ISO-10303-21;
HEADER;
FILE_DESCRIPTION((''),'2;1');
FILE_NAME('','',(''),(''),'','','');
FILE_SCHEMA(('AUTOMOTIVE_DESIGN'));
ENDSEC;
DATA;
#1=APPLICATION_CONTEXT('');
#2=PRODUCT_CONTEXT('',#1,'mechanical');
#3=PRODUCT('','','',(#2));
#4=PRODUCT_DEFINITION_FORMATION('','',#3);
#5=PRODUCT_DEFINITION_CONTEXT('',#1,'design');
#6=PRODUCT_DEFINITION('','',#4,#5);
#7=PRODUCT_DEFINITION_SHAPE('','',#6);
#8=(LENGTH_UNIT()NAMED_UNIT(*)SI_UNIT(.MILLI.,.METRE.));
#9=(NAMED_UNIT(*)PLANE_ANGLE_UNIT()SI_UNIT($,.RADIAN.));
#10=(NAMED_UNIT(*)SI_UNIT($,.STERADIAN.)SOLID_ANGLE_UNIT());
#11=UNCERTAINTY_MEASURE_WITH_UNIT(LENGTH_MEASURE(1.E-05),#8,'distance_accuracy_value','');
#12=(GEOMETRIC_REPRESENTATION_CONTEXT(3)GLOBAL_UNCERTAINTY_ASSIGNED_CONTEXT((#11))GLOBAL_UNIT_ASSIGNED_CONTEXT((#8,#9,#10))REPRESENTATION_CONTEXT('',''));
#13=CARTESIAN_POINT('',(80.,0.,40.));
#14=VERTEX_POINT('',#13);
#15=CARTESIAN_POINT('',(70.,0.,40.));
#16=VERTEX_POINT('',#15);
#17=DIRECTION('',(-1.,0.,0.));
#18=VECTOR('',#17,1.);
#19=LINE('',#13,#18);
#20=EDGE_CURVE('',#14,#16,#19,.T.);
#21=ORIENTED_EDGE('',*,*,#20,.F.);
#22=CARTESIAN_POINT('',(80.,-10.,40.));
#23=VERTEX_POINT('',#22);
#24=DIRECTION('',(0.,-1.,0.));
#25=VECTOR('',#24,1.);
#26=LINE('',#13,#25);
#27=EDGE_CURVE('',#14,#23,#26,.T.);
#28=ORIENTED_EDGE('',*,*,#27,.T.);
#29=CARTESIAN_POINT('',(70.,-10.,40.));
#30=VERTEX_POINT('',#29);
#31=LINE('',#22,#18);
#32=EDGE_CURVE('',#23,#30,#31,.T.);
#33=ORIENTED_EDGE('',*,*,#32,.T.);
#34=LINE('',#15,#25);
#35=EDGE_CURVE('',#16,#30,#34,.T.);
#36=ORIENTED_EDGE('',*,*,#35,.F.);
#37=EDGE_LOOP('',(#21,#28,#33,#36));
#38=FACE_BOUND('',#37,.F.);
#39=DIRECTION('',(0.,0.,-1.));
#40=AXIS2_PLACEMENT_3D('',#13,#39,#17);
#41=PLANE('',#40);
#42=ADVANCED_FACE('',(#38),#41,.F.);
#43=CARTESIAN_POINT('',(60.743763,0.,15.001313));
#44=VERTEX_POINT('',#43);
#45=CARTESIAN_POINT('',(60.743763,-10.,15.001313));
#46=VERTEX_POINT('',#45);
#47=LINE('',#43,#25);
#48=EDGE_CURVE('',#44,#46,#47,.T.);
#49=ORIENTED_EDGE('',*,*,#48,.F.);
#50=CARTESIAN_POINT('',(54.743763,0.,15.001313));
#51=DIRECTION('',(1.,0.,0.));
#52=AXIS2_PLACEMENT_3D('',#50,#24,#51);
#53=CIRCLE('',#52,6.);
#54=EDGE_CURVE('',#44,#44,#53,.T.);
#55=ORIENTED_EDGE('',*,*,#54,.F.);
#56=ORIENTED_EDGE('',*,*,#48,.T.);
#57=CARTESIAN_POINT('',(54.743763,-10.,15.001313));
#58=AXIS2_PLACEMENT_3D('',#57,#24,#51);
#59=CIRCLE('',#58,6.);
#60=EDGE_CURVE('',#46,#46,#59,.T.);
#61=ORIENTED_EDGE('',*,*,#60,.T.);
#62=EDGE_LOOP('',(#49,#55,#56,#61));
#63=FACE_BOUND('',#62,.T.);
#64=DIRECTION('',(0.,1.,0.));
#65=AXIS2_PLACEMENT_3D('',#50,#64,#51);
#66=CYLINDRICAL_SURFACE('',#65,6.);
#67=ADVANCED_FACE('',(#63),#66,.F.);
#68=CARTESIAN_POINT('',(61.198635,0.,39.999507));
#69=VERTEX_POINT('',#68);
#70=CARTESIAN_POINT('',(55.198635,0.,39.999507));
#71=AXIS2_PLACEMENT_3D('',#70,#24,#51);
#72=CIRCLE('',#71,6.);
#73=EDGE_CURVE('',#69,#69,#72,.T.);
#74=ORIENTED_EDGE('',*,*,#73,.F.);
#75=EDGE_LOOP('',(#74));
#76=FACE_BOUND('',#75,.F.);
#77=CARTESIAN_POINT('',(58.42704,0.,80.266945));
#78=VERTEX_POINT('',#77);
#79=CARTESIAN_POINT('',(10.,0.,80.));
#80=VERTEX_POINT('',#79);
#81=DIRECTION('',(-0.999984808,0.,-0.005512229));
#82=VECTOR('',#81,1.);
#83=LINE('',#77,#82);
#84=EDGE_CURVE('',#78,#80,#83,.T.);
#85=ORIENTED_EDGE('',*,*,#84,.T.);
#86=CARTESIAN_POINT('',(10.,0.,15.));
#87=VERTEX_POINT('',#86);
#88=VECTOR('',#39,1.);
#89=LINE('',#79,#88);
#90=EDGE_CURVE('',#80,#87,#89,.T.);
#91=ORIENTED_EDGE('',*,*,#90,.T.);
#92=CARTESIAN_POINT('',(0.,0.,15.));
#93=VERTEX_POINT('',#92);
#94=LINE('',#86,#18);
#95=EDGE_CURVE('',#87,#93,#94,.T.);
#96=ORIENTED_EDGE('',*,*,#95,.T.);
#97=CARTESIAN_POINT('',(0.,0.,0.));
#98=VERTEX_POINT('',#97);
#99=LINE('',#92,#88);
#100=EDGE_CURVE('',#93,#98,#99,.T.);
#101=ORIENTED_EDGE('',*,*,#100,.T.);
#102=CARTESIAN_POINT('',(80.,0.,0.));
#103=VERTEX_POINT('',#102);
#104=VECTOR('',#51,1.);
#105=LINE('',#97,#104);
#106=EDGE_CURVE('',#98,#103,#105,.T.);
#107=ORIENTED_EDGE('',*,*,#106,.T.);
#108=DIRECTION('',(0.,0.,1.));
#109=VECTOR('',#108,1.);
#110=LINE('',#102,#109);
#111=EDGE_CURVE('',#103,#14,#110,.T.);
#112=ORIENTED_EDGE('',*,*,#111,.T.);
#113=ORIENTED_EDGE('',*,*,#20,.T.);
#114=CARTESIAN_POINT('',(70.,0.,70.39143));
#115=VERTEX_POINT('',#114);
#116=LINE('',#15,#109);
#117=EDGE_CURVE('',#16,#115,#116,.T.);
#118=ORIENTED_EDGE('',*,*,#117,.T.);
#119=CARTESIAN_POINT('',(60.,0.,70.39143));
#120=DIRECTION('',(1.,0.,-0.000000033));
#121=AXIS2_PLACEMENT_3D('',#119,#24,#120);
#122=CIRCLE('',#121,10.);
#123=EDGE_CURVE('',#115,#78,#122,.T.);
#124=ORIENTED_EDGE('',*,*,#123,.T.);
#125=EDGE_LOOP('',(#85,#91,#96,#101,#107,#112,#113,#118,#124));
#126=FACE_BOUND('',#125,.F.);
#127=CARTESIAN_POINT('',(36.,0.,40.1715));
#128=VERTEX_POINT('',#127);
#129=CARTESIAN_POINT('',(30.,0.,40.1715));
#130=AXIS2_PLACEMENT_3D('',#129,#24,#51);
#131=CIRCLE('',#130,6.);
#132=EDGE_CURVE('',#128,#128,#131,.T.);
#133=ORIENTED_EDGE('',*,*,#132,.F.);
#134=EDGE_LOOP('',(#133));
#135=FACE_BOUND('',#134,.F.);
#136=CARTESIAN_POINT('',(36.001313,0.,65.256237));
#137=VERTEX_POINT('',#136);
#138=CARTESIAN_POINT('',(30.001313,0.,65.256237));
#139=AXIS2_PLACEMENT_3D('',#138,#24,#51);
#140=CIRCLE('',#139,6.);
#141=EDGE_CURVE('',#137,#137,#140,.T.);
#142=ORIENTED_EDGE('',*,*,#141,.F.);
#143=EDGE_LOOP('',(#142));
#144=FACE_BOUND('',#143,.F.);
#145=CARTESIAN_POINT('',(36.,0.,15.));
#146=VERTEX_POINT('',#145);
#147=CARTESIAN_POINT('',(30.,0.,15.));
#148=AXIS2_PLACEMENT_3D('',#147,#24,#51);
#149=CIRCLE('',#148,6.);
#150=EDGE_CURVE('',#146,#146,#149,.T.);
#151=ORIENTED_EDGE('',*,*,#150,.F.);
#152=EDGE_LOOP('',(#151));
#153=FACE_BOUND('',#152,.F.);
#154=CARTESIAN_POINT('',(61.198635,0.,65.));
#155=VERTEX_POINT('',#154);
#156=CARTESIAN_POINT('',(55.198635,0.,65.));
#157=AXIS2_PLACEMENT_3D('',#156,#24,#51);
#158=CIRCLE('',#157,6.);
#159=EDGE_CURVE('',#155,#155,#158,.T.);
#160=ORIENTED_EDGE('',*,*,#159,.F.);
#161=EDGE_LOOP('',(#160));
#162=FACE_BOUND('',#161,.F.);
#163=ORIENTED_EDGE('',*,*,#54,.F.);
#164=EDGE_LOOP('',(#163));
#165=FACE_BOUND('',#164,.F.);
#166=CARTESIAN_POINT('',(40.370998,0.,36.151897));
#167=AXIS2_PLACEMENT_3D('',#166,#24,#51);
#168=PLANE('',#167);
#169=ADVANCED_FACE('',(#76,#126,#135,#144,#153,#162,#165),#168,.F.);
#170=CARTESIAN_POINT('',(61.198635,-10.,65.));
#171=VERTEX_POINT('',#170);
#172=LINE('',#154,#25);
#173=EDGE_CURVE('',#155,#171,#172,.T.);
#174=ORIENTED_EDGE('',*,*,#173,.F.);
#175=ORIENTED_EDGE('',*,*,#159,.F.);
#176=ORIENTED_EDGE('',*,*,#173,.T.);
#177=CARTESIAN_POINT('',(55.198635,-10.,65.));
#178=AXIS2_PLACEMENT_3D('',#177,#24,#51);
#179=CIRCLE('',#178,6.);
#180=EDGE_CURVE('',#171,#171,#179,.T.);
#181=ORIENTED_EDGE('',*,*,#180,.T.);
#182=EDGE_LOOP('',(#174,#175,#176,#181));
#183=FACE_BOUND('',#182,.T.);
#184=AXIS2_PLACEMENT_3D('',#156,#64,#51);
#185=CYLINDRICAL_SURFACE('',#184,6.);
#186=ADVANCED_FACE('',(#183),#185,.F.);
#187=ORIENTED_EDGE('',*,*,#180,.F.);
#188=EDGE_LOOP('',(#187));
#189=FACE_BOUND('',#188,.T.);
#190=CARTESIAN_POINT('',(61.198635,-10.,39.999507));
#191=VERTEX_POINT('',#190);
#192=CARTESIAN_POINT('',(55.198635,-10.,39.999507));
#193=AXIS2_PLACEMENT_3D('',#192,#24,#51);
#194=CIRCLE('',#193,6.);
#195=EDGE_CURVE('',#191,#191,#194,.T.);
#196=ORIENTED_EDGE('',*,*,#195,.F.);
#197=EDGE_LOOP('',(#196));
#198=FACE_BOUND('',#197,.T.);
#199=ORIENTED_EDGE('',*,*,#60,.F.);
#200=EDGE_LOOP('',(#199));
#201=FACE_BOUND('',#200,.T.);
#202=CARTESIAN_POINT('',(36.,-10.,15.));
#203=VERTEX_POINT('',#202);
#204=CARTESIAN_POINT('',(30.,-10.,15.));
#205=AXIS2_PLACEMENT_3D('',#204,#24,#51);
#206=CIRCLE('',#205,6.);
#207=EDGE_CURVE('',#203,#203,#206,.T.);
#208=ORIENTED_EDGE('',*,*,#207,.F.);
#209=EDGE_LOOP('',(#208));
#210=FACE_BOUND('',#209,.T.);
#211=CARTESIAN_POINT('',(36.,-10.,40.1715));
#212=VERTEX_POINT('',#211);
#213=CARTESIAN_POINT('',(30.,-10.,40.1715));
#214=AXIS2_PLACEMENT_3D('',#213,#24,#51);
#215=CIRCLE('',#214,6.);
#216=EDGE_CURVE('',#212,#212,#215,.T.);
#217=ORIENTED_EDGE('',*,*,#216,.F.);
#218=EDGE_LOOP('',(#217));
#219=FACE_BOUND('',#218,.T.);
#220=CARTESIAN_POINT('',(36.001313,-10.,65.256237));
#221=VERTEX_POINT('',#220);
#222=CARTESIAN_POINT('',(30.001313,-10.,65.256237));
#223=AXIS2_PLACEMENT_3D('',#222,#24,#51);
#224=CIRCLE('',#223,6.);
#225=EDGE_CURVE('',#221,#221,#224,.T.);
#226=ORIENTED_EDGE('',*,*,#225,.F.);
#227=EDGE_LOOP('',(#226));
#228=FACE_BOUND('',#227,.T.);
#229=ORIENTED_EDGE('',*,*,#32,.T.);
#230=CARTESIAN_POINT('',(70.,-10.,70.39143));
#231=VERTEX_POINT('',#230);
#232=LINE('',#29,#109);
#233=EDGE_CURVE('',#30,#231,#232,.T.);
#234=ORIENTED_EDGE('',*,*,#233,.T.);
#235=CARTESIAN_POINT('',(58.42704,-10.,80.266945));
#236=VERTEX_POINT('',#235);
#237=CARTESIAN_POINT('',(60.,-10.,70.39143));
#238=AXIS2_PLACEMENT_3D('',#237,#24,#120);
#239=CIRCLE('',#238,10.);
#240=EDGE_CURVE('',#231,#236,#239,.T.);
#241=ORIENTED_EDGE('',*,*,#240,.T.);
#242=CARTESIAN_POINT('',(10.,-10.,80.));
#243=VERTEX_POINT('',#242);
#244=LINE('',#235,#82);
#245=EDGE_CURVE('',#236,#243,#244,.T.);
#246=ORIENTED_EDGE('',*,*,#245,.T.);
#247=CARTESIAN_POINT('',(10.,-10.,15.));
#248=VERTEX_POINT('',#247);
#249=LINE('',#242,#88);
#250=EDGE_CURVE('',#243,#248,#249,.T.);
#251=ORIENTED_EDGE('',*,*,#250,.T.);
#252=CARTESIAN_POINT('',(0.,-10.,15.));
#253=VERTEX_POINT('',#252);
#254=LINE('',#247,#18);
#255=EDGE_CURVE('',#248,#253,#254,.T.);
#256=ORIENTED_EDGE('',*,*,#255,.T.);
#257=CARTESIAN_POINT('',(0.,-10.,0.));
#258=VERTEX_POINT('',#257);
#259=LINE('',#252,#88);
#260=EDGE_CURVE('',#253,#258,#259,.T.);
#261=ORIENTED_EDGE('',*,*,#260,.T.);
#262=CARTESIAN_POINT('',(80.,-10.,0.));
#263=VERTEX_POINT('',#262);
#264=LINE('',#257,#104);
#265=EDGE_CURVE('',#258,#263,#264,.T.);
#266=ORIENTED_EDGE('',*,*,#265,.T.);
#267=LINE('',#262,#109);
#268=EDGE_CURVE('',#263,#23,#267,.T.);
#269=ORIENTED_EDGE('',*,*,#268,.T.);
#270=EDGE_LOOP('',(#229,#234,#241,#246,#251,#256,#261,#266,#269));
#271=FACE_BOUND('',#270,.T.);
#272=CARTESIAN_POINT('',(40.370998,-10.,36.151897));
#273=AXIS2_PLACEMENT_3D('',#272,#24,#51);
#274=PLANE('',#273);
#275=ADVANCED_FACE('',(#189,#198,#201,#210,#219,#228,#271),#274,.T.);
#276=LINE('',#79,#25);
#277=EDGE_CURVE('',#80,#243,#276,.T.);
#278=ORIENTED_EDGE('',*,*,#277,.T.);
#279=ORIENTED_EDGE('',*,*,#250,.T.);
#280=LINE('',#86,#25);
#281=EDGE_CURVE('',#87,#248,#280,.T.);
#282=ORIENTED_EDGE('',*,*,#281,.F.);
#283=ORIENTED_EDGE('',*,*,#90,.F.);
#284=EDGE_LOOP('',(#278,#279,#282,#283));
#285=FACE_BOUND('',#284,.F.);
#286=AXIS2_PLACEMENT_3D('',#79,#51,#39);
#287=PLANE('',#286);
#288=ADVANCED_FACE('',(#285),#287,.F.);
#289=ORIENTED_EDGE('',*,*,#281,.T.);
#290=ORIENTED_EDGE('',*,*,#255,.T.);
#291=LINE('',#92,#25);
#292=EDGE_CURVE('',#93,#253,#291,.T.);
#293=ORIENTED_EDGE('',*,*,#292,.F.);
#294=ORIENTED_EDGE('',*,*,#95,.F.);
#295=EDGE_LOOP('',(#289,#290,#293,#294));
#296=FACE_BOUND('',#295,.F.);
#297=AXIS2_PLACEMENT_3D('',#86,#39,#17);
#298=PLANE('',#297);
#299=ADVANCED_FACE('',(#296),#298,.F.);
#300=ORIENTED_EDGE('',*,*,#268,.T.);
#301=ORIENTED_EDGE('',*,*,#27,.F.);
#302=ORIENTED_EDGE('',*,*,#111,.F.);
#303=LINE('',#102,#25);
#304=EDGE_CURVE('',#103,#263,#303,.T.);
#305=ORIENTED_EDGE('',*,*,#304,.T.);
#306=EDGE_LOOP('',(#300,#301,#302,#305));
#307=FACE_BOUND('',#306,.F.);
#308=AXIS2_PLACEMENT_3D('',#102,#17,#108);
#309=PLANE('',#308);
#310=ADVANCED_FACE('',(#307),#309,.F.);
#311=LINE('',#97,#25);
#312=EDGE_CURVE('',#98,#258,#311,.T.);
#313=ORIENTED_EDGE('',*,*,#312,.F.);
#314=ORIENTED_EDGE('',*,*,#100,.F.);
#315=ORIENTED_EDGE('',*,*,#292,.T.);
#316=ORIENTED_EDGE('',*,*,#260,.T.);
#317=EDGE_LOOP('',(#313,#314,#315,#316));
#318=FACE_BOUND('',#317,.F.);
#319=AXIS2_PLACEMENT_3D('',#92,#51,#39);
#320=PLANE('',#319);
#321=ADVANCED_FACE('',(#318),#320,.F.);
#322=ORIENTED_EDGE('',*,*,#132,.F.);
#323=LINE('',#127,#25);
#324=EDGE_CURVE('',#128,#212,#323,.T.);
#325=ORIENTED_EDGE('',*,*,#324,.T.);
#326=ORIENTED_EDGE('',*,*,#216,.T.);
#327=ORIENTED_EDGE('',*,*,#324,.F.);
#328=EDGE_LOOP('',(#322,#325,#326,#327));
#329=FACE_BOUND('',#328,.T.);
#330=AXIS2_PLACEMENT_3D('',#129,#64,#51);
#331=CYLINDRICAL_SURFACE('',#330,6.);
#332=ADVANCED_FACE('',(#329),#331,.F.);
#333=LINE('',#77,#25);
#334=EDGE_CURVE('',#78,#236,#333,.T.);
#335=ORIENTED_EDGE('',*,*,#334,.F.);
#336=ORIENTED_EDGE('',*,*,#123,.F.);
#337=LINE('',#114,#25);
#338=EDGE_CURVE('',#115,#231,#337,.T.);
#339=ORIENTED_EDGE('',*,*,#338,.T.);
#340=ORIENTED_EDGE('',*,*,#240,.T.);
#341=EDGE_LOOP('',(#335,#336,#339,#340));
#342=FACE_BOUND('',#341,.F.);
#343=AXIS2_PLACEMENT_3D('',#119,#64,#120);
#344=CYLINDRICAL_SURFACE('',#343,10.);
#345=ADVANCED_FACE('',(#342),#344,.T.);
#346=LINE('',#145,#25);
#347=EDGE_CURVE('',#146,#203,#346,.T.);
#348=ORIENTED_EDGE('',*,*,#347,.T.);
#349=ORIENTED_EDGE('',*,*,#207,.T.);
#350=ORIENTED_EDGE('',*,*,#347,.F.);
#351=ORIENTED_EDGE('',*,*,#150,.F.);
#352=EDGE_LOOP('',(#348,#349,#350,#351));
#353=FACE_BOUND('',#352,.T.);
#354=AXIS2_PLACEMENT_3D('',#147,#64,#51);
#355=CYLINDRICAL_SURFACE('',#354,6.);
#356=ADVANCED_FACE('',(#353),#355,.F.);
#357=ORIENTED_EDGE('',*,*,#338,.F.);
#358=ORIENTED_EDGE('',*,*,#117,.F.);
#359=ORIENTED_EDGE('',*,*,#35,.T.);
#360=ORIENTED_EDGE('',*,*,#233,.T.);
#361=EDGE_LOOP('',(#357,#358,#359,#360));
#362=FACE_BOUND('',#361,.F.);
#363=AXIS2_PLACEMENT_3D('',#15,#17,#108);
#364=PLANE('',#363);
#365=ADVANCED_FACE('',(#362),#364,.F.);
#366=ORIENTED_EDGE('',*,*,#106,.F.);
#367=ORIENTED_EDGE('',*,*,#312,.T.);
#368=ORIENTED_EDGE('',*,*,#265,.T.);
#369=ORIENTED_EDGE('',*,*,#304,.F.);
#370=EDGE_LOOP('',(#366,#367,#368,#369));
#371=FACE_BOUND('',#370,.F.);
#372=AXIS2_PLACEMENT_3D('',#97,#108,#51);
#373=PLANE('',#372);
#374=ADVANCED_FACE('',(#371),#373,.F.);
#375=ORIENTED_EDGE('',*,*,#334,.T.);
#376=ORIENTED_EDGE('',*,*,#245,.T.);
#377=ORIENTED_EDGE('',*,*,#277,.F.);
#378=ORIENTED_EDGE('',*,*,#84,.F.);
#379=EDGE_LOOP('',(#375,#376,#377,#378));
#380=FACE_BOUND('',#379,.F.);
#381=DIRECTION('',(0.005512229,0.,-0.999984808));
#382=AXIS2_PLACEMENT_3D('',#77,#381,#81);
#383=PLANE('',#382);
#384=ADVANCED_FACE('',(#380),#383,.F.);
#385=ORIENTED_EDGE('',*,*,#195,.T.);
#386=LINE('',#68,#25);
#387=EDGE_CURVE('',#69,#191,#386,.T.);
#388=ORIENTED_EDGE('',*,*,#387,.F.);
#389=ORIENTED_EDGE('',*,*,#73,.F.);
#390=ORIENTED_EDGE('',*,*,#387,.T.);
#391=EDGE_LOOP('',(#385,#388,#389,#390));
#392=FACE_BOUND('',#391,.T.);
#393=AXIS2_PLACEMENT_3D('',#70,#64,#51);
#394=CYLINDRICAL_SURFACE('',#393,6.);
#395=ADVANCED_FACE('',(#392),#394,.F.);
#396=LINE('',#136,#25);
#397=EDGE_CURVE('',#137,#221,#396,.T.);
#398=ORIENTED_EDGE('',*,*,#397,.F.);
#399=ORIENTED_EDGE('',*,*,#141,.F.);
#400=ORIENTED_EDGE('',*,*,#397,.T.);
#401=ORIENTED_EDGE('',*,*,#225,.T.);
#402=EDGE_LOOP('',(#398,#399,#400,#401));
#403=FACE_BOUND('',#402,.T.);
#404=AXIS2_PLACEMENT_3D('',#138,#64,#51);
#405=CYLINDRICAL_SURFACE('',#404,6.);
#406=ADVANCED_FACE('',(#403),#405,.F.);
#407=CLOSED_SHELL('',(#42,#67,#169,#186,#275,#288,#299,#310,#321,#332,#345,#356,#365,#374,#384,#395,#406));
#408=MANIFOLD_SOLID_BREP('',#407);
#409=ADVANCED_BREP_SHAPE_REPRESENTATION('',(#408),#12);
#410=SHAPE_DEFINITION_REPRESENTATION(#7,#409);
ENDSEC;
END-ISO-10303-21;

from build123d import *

# Parameters (mm, degrees)
F0_R     = 6
F1_DEPTH = 10


with BuildPart() as f1:
    # F0 (on Front) → F1 (new body)
    with BuildSketch(Plane.XZ):
        with BuildLine():
            Line((0, 15), (0, 0))
            Line((0, 0), (30, 0))
            Line((30, 0), (55, 0))
            Line((55, 0), (80, 0))
            Line((80, 0), (80, 40))
            Line((80, 40), (70, 40))
            Line((70, 40), (70, 70.39143))
            ThreePointArc((70, 70.39143), (66.491163, 77.998322), (58.42704, 80.266945))
            Line((58.42704, 80.266945), (10, 80))
            Line((10, 80), (10, 15))
            Line((10, 15), (0, 15))
        make_face()
        with Locations((30, 15)):
            Circle(F0_R, mode=Mode.SUBTRACT)
        with Locations((30, 40.1715)):
            Circle(F0_R, mode=Mode.SUBTRACT)
        with Locations((54.743763, 15.001313)):
            Circle(F0_R, mode=Mode.SUBTRACT)
        with Locations((55.198635, 39.999507)):
            Circle(F0_R, mode=Mode.SUBTRACT)
        with Locations((30.001313, 65.256237)):
            Circle(F0_R, mode=Mode.SUBTRACT)
        with Locations((55.198635, 65)):
            Circle(F0_R, mode=Mode.SUBTRACT)
    extrude(amount=F1_DEPTH)


solid = f1.part
